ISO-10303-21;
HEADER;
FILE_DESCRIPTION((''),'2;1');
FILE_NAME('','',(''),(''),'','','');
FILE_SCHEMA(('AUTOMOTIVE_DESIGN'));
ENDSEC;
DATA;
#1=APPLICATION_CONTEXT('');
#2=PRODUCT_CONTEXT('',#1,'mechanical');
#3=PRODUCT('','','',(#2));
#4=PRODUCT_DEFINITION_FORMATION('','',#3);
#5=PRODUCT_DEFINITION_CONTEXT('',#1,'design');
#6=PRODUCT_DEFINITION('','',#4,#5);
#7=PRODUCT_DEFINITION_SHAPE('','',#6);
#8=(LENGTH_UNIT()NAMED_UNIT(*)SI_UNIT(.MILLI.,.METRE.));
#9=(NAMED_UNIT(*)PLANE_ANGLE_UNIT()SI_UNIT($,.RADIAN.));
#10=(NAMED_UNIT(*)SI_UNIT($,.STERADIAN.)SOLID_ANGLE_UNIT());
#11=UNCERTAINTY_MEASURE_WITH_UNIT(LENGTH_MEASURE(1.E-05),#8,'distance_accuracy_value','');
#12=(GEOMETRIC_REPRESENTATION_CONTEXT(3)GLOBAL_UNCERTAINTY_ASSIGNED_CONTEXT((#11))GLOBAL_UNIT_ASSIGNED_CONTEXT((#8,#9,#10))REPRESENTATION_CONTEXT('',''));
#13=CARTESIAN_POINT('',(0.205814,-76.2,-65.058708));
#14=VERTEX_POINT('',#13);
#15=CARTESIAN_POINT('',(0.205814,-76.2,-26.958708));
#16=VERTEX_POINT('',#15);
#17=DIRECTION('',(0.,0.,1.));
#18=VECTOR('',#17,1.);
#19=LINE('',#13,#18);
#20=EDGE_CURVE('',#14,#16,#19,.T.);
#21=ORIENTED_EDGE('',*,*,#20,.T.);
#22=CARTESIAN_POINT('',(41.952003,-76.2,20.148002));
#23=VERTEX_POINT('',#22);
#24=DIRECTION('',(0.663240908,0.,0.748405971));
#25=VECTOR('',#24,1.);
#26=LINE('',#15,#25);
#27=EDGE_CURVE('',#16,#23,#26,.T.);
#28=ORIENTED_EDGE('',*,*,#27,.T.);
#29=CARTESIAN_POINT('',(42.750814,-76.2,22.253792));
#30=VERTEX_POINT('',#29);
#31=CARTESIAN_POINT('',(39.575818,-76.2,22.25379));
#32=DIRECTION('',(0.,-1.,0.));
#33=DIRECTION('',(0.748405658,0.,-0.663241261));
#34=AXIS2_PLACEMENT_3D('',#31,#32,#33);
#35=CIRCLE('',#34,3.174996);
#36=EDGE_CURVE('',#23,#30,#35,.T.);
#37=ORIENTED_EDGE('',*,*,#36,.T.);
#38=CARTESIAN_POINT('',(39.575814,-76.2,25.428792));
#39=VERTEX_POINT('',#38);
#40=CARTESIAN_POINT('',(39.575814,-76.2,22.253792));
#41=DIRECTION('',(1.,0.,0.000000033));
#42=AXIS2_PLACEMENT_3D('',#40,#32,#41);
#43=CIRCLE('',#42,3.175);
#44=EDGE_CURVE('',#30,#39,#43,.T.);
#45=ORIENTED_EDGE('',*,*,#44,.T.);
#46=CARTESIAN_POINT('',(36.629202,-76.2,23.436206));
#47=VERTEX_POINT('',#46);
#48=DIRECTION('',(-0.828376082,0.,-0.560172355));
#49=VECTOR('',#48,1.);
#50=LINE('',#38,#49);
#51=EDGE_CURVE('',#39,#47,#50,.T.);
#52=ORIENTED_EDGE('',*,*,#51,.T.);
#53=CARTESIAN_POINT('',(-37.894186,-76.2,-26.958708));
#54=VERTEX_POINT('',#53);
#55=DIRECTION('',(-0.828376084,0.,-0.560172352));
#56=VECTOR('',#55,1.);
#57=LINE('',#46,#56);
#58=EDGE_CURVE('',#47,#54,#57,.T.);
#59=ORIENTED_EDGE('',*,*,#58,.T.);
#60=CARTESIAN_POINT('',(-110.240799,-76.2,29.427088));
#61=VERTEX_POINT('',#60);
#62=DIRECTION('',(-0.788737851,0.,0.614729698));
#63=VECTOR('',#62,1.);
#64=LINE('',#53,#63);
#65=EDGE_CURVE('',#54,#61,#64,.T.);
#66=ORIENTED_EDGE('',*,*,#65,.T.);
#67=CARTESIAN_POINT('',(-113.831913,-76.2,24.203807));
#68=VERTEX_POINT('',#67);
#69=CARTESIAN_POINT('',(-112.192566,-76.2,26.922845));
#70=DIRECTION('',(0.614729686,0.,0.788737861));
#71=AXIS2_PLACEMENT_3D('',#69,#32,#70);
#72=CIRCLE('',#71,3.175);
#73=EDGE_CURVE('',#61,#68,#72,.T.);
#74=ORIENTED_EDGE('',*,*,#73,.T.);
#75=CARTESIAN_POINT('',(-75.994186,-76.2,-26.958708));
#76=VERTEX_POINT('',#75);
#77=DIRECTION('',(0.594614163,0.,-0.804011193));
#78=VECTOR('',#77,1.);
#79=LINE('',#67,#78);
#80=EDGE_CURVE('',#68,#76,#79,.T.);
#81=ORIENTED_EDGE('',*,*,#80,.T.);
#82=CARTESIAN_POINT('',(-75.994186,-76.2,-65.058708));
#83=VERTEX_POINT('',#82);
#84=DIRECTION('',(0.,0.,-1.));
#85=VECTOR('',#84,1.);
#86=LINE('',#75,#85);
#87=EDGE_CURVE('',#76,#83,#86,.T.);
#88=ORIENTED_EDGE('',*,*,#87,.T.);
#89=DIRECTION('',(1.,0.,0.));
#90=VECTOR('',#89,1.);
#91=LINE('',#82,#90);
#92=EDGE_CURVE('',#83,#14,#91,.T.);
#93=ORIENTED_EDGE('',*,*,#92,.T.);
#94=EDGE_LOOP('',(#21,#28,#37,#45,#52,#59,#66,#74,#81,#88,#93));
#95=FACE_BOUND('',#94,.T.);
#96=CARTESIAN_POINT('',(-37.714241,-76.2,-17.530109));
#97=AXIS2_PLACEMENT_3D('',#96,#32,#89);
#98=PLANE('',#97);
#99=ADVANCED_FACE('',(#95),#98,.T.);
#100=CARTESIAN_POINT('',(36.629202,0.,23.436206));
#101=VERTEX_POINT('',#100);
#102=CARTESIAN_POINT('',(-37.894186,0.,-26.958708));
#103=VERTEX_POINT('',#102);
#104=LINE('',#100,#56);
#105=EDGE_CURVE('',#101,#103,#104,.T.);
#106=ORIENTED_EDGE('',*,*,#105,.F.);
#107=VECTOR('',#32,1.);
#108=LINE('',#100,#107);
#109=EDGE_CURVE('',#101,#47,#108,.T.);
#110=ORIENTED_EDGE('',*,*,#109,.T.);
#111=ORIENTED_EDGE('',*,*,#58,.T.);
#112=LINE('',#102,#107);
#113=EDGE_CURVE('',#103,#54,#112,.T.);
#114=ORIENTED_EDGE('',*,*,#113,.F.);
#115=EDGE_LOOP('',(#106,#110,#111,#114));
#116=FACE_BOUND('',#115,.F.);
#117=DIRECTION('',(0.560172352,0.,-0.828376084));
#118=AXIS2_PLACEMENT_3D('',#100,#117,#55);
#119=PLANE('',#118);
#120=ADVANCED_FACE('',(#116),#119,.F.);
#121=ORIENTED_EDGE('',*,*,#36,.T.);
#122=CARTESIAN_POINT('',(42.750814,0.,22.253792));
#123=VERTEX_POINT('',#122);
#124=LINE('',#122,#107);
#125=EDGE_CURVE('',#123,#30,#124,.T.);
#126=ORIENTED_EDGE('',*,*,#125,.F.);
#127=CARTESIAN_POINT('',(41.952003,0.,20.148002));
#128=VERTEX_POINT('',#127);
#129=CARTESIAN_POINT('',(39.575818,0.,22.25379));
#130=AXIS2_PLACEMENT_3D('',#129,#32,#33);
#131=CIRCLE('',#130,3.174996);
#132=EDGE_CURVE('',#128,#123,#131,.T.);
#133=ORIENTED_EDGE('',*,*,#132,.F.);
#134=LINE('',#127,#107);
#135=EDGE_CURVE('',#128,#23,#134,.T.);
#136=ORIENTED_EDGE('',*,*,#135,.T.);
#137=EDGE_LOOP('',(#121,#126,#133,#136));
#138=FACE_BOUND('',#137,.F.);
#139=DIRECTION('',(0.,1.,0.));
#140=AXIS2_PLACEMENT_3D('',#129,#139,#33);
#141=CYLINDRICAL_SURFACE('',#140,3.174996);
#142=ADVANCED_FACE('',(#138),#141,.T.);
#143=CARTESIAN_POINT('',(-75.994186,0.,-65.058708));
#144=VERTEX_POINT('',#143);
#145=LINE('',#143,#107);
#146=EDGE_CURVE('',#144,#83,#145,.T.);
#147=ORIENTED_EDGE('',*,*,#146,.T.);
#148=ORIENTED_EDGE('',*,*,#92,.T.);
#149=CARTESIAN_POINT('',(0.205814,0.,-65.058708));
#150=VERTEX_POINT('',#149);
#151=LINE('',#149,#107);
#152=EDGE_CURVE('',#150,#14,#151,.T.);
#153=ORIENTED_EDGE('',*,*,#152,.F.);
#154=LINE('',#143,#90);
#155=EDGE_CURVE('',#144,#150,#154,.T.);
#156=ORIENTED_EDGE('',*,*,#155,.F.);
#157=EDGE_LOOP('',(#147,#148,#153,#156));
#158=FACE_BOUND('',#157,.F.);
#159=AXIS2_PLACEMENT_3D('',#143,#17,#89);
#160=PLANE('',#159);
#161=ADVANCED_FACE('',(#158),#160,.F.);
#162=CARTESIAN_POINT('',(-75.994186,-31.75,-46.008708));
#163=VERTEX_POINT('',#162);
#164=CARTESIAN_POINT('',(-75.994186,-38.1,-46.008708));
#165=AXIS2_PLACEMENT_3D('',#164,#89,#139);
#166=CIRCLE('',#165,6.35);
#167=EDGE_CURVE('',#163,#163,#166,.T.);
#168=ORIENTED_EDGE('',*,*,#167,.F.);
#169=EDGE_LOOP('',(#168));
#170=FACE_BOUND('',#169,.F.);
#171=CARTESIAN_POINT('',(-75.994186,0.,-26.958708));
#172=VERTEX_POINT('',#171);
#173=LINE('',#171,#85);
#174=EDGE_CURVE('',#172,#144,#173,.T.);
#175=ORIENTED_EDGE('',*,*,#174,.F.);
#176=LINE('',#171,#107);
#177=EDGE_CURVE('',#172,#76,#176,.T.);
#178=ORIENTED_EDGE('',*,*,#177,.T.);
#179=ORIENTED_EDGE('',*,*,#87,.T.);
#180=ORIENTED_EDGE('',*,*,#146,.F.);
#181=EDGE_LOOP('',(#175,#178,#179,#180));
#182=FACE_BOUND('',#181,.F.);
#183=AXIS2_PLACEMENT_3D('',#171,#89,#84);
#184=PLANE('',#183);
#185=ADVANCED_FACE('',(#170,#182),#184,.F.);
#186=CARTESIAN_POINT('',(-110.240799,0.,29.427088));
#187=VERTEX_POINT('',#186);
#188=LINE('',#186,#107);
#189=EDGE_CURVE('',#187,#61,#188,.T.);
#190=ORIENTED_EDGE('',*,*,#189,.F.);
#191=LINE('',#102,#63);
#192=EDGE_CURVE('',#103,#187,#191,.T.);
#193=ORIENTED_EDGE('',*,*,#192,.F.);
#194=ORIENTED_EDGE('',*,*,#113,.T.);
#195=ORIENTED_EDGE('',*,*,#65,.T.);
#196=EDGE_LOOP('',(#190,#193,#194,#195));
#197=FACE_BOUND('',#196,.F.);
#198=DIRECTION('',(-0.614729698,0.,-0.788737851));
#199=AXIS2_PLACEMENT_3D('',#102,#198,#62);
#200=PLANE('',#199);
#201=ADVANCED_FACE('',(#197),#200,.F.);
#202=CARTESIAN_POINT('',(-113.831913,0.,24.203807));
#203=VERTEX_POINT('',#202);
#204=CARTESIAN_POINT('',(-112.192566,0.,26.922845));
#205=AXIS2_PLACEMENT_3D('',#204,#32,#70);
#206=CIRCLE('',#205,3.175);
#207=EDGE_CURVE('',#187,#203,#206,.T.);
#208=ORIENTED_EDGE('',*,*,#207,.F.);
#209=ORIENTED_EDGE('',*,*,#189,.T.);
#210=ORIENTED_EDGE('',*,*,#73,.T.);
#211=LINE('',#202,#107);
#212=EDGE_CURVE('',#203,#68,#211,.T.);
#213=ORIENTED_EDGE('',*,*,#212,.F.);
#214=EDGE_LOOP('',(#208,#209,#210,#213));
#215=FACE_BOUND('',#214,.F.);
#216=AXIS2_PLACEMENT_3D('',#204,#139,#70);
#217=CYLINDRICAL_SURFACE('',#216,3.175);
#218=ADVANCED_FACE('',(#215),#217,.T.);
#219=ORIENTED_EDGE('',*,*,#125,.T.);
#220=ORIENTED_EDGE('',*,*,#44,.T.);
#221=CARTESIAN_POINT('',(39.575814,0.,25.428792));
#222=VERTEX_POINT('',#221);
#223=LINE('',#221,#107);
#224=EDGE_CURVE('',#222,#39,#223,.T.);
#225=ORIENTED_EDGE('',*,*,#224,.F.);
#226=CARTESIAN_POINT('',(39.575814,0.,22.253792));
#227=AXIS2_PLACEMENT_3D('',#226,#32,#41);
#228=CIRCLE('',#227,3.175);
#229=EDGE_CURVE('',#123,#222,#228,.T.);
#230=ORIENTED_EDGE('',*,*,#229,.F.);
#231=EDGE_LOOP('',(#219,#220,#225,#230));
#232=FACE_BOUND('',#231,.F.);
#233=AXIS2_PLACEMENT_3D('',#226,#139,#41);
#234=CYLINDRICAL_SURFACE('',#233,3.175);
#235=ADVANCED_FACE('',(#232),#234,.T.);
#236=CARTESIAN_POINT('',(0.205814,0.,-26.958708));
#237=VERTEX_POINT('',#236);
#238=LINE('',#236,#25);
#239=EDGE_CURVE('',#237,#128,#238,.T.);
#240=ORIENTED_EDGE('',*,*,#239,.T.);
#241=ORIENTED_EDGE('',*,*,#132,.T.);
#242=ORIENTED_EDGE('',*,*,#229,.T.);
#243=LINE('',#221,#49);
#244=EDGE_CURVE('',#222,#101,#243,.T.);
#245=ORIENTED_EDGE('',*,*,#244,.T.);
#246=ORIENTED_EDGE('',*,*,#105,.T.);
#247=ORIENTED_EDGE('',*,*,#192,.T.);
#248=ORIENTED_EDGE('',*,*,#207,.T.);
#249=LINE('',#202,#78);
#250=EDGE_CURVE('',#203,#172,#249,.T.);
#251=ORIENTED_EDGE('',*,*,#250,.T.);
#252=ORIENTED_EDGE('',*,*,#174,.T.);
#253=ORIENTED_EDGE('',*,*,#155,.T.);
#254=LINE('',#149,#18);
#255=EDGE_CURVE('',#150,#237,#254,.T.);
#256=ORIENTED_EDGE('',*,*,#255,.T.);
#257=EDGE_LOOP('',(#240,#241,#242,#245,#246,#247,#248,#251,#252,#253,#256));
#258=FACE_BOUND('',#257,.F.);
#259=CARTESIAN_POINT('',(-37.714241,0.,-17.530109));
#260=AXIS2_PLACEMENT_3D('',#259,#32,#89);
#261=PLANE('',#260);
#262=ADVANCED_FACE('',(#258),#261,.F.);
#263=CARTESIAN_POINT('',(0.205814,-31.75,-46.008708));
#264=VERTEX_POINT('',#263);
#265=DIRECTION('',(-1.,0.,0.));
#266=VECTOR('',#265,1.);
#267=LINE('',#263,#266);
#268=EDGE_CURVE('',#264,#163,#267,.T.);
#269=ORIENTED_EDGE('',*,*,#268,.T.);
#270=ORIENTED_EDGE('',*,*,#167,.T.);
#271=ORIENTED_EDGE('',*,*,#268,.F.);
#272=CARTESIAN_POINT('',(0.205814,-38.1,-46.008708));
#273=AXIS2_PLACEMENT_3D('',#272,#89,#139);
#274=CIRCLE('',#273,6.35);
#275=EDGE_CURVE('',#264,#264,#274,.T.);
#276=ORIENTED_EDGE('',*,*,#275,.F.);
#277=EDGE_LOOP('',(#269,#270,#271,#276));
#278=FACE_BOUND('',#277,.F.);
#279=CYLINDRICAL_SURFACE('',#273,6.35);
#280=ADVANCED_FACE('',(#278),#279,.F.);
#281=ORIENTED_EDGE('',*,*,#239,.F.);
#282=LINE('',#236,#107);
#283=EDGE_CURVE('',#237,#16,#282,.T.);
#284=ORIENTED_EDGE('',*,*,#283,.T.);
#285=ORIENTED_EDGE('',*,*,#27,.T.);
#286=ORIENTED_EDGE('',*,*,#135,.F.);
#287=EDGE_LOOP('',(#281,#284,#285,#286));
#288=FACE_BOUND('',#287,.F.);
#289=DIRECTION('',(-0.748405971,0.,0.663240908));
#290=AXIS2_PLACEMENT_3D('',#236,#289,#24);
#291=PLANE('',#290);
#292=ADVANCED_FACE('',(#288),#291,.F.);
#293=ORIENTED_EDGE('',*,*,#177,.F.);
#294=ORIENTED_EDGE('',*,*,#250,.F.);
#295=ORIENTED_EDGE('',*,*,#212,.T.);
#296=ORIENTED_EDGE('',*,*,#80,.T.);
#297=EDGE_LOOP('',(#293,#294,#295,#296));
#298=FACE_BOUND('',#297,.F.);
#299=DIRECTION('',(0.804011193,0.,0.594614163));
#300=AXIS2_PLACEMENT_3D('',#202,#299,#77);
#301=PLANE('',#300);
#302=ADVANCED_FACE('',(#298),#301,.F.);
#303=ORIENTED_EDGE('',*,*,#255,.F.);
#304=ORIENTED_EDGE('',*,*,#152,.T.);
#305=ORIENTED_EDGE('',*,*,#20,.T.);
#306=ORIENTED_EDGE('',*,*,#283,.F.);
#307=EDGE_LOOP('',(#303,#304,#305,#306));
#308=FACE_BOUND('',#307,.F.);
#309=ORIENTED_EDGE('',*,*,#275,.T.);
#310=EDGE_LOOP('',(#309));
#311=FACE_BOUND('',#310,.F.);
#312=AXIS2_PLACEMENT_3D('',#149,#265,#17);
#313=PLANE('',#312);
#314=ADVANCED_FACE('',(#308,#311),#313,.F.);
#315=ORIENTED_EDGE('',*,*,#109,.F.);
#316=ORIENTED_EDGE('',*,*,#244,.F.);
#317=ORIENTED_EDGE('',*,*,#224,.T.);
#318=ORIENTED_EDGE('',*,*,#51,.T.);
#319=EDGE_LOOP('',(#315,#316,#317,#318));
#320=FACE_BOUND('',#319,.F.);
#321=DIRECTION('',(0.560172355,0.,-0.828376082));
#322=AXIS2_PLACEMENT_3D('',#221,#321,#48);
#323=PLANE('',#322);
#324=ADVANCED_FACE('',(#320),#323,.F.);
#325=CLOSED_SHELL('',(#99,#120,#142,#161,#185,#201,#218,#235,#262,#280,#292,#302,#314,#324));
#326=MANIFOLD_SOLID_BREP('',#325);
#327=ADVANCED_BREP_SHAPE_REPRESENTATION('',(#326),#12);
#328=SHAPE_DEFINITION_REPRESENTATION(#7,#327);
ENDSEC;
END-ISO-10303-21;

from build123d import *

# Parameters (mm, degrees)
F1_DEPTH = 76.2
F2_DEPTH = 211.582
F3_R     = 6.35
F4_DEPTH = 296.926


with BuildPart() as f1:
    # F0 (on Front) → F1 (new body)
    with BuildSketch(Plane.XZ):
        with BuildLine():
            Line((-75.994186, -26.958708), (-75.994186, -65.058708))
            Line((-75.994186, -65.058708), (0.205814, -65.058708))
            Line((0.205814, -65.058708), (0.205814, -26.958708))
            Line((0.205814, -26.958708), (41.952003, 20.148002))
            ThreePointArc((41.952003, 20.148002), (37.907157, 19.552642), (36.629202, 23.436206))
            Line((36.629202, 23.436206), (-37.894186, -26.958708))
            Line((-37.894186, -26.958708), (-110.240799, 29.427088))
            ThreePointArc((-110.240799, 29.427088), (-109.339718, 28.31636), (-109.017566, 26.922845))
            ThreePointArc((-109.017566, 26.922845), (-110.631205, 24.158288), (-113.831913, 24.203807))
            Line((-113.831913, 24.203807), (-75.994186, -26.958708))
        make_face()
        with BuildLine():
            ThreePointArc((36.629202, 23.436206), (37.907157, 19.552642), (41.952003, 20.148002))
            ThreePointArc((41.952003, 20.148002), (42.544402, 21.127687), (42.750814, 22.253792))
            ThreePointArc((42.750814, 22.253792), (41.820878, 24.498856), (39.575814, 25.428792))
            Line((39.575814, 25.428792), (36.629202, 23.436206))
        make_face()
        with BuildLine():
            ThreePointArc((-110.240799, 29.427088), (-114.808874, 28.721611), (-113.831913, 24.203807))
            ThreePointArc((-113.831913, 24.203807), (-110.631205, 24.158288), (-109.017566, 26.922845))
            ThreePointArc((-109.017566, 26.922845), (-109.339718, 28.31636), (-110.240799, 29.427088))
        make_face()
    extrude(amount=F1_DEPTH)

    # F1_face (on face) → F2 (cut)
    with BuildSketch(Plane(origin=(-38.414118, 0, -27.709483), x_dir=(1, 0, 0), z_dir=(0, 1, 0))):
        with BuildLine():
            Line((-37.580068, 37.349226), (-37.580068, -0.750774))
            Line((-37.580068, -0.750774), (-75.417795, -51.91329))
            ThreePointArc((-75.417795, -51.91329), (-76.394756, -56.431093), (-71.826681, -57.13657))
            Line((-71.826681, -57.13657), (0.519932, -0.750774))
            Line((0.519932, -0.750774), (77.989932, -53.138274))
            ThreePointArc((77.989932, -53.138274), (80.234996, -52.208338), (81.164932, -49.963274))
            ThreePointArc((81.164932, -49.963274), (80.958519, -48.837169), (80.366121, -47.857484))
            Line((80.366121, -47.857484), (38.619932, -0.750774))
            Line((38.619932, -0.750774), (38.619932, 37.349226))
            Line((38.619932, 37.349226), (-37.580068, 37.349226))
        make_face()
    extrude(amount=F2_DEPTH, mode=Mode.SUBTRACT)

    # F3 (on face) → F4 (cut)
    with BuildSketch(Plane.YZ.offset(0.205814)):
        with Locations((-38.1, -46.008708)):
            Circle(F3_R)
    extrude(amount=-F4_DEPTH, mode=Mode.SUBTRACT)


solid = f1.part
